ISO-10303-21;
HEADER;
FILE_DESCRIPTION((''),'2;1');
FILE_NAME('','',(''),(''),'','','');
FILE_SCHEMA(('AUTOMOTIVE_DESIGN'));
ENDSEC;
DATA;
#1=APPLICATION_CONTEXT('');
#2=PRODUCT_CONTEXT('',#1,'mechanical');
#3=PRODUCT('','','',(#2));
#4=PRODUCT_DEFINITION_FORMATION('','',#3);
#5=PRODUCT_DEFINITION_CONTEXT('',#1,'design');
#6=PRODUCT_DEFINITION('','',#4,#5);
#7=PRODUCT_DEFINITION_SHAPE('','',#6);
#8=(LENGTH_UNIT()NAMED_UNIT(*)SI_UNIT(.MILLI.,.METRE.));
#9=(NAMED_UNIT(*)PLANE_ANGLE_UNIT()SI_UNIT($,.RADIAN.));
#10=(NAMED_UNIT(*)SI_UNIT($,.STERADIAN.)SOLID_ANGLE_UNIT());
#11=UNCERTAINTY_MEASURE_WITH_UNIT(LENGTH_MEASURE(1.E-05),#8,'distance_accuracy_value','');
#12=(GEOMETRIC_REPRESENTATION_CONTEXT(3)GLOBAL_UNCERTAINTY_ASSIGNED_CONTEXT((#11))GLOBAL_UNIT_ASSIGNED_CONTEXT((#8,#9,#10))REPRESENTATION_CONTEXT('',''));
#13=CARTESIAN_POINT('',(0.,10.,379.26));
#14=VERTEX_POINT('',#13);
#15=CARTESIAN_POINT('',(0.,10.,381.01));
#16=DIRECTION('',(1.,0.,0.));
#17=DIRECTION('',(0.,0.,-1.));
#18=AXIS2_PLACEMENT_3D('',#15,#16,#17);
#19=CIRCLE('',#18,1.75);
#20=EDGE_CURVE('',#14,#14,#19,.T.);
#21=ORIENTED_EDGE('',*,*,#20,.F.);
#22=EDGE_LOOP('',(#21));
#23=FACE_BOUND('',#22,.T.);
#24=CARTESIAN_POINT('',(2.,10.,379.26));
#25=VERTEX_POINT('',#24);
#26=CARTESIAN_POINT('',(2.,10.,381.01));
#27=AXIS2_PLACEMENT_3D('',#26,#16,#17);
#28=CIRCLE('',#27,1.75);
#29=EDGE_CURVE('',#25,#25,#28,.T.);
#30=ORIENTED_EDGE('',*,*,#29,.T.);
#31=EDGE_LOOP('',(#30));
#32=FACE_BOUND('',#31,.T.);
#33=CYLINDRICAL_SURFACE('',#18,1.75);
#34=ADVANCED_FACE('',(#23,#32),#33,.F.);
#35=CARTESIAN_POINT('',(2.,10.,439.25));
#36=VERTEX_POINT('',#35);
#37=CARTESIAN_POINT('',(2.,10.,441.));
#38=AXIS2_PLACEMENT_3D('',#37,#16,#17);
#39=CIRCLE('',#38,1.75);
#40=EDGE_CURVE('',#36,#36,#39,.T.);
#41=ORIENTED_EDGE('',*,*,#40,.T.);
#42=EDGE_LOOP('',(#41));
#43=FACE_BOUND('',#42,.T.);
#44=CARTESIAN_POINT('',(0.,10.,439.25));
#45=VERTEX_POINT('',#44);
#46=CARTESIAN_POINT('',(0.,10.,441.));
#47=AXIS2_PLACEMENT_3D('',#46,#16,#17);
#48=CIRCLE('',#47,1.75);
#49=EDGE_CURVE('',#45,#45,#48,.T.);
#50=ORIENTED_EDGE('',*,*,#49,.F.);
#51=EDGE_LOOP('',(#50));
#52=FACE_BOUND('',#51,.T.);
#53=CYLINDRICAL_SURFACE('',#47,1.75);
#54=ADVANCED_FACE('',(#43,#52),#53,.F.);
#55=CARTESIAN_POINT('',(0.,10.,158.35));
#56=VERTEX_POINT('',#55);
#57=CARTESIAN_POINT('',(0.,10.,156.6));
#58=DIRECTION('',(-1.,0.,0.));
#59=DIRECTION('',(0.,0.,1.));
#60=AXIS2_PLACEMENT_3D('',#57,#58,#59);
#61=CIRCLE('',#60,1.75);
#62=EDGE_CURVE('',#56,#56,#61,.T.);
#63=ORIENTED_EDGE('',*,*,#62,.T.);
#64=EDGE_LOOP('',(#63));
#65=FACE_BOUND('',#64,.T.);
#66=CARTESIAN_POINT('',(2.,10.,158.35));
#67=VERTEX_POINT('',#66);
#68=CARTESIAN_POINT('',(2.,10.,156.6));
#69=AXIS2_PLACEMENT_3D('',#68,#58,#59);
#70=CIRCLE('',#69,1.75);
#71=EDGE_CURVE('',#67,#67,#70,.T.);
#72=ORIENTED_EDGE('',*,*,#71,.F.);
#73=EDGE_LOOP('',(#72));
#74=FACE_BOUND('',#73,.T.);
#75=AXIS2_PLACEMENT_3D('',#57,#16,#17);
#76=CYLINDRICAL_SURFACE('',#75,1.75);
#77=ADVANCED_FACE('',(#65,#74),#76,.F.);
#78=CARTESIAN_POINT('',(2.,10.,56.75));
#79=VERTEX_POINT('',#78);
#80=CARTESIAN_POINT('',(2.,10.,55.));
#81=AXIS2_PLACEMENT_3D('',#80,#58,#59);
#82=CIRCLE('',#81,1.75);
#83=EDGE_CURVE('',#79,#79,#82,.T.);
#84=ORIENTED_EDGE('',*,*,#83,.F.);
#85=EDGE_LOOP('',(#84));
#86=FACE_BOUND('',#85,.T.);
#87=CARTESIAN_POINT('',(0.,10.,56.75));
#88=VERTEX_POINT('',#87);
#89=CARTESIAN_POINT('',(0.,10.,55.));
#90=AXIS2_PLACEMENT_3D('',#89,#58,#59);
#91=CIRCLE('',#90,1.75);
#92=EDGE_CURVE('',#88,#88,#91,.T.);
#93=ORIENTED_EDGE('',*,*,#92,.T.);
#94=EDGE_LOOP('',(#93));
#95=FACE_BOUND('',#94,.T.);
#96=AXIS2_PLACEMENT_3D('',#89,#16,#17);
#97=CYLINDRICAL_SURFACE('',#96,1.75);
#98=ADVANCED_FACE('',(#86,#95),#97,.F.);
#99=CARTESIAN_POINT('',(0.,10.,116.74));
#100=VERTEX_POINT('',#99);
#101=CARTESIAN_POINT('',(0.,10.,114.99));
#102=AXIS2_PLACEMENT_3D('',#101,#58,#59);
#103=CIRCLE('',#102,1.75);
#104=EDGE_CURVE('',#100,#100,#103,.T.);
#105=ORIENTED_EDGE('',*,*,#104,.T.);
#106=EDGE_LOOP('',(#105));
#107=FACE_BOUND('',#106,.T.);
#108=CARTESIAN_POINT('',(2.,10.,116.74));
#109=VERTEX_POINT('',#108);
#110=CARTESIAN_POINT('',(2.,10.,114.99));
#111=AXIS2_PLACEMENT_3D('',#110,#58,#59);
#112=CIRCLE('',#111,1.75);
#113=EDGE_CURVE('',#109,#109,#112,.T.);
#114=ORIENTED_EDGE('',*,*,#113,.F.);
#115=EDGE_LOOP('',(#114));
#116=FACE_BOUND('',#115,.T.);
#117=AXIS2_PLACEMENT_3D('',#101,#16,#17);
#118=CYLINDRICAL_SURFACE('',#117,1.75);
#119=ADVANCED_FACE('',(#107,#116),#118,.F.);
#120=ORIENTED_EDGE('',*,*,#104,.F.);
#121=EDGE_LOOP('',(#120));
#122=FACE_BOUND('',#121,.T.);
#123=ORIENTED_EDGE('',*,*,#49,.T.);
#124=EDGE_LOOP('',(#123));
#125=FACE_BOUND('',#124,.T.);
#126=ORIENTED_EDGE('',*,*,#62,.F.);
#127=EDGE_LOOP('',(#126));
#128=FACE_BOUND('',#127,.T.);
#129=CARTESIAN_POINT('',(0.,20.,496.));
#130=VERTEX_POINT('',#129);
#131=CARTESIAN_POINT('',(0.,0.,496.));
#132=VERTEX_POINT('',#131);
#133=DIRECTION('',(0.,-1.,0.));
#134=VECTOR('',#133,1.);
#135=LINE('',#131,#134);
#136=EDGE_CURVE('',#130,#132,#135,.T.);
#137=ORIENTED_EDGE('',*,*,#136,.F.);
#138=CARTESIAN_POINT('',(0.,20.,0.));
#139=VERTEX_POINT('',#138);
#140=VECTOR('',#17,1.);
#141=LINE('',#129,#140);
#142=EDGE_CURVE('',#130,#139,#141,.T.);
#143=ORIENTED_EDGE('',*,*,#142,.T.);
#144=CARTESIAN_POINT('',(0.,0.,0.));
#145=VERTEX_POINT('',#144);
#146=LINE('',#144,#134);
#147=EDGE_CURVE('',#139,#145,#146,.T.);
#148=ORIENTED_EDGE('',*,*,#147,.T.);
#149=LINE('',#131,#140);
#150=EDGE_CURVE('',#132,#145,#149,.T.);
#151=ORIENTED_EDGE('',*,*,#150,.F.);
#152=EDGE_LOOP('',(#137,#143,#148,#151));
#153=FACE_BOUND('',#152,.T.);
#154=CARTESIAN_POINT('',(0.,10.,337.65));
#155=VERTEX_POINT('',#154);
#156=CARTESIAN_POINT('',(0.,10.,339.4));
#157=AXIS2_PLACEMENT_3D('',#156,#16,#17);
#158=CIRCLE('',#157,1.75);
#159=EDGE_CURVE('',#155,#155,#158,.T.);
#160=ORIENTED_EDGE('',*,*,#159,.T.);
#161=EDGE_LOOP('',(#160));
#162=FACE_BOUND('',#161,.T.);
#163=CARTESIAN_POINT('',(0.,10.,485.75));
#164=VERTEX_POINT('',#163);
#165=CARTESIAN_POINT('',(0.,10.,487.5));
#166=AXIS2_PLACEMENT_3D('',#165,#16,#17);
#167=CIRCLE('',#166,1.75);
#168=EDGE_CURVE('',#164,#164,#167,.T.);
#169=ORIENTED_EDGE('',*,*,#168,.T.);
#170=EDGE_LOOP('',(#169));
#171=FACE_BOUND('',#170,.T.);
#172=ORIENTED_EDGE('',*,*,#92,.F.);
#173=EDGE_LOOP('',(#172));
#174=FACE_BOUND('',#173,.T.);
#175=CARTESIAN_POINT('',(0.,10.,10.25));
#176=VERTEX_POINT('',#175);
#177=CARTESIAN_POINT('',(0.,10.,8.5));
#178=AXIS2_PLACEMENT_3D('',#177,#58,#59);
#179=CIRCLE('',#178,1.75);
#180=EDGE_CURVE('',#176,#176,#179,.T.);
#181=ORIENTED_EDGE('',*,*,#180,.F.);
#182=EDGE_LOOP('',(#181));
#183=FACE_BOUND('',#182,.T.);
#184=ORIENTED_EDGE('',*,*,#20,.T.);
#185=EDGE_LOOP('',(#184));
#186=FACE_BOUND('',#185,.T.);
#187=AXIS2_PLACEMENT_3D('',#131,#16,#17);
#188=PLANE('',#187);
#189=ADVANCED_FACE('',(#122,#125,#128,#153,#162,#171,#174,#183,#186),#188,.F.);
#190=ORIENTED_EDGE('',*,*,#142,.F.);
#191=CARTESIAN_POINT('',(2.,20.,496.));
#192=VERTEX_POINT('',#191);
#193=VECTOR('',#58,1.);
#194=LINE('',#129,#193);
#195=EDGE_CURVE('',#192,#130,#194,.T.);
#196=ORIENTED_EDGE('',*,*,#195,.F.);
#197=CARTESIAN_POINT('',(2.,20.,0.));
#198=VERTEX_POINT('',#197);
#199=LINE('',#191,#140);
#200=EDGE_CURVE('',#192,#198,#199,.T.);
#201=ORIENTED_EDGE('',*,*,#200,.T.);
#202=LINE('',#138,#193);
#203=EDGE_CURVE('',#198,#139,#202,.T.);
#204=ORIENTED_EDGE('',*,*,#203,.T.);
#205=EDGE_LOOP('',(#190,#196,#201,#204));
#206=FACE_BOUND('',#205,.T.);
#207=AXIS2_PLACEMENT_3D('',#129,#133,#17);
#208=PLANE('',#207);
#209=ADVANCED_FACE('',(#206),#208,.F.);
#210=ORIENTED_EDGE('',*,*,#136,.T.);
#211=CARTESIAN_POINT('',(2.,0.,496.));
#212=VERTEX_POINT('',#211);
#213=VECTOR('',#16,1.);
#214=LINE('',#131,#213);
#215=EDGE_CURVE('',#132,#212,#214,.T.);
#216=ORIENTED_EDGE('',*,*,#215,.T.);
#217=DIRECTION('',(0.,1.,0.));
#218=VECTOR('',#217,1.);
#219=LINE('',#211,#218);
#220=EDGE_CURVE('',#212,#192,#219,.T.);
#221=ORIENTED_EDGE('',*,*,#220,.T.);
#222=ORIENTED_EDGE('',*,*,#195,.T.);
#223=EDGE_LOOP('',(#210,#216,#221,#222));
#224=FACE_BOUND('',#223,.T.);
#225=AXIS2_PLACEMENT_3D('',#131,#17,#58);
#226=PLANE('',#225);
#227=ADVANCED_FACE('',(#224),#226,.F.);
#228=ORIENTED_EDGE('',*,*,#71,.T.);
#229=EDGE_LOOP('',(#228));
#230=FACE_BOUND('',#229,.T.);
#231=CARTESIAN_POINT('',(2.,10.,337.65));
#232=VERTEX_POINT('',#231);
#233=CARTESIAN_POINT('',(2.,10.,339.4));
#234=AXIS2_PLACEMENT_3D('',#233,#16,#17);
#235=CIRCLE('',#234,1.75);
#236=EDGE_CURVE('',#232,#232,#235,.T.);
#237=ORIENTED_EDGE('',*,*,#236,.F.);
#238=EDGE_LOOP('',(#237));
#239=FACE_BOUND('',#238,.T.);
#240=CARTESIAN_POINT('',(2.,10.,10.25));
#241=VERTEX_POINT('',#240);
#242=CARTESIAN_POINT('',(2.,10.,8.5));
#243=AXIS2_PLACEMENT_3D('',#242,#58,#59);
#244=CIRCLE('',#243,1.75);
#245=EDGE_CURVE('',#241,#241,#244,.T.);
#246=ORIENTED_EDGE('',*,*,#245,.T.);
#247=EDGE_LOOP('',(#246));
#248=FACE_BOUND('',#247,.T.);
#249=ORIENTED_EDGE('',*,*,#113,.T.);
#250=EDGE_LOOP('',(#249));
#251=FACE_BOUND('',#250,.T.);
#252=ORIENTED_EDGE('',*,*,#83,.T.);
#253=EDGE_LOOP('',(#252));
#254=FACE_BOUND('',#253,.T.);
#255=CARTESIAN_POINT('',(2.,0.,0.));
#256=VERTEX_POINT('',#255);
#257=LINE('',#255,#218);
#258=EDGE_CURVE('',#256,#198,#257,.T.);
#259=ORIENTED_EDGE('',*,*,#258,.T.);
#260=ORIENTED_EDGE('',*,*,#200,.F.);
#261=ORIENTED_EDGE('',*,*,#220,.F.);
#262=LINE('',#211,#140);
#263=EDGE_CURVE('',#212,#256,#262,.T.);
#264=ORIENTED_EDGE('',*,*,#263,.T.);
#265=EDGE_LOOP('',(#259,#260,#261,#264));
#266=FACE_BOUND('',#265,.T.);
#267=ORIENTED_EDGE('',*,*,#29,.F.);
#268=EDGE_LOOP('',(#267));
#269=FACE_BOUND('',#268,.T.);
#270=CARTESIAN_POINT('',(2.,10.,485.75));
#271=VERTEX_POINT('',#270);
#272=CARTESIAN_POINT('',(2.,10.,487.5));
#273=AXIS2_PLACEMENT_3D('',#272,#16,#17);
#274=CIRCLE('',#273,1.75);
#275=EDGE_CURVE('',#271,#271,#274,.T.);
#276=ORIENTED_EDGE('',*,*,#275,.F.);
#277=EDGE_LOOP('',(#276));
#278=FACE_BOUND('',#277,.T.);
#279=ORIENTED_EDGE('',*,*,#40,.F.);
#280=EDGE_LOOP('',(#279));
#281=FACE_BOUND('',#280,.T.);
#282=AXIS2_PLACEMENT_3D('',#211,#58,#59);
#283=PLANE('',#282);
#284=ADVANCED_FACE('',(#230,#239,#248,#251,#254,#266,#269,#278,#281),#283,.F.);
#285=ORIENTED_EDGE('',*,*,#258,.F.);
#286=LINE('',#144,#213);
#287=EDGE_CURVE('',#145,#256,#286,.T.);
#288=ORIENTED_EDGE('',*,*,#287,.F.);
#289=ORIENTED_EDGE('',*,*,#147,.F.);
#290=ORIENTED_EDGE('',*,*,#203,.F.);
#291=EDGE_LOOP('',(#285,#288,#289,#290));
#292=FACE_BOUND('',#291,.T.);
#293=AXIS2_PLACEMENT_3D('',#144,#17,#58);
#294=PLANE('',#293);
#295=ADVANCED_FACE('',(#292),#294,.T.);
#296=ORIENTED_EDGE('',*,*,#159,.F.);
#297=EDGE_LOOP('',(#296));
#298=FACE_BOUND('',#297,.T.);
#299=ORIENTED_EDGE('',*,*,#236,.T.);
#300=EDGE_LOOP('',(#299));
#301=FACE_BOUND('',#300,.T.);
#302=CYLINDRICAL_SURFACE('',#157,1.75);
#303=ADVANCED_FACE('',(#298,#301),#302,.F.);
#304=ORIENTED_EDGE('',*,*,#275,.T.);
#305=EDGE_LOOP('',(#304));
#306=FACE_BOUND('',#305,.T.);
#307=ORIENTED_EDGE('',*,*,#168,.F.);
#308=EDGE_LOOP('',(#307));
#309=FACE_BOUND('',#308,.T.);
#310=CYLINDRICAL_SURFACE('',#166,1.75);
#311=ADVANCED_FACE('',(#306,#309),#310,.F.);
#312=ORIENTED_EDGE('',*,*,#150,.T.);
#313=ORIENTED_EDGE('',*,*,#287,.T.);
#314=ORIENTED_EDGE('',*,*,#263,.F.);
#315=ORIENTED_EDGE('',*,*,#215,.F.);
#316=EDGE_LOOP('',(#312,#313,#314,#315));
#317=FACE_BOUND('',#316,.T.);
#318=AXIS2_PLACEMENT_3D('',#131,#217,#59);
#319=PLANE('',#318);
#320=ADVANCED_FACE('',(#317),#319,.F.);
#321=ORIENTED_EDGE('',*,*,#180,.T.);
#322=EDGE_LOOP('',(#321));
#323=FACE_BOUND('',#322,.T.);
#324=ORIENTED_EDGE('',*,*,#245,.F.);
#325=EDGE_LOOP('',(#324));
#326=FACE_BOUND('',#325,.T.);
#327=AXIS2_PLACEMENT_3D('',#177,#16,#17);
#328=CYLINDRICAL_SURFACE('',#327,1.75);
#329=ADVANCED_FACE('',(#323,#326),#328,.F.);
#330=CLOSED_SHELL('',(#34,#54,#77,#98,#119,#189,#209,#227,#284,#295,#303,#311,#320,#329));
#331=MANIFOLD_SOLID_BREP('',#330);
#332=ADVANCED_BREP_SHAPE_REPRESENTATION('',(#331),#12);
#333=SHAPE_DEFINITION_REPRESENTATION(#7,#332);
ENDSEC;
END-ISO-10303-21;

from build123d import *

# Parameters (mm, degrees)
SKETCH_1_W          = 2
SKETCH_1_H          = 20
EXTRUDE_1_DEPTH     = 496
SKETCH_2_R          = 1.75
CUT_EXTRUDE_1_DEPTH = 497.407091005


with BuildPart() as part:
    # Эскиз1 → Бобышка-Вытянуть1 (new body)
    with BuildSketch(Plane.XY):
        with Locations((1, 10)):
            Rectangle(SKETCH_1_W, SKETCH_1_H)
    extrude(amount=EXTRUDE_1_DEPTH)

    # Эскиз2 → Вырез-Вытянуть1 (cut, through all)
    with BuildSketch(Plane(origin=(2, 0, 0), x_dir=(0, 0, -1), z_dir=(1, 0, 0))):
        with Locations((-487.5, 10)):
            Circle(SKETCH_2_R)
        with Locations((-441, 10)):
            Circle(SKETCH_2_R)
        with Locations((-381.01, 10)):
            Circle(SKETCH_2_R)
        with Locations((-339.4, 10)):
            Circle(SKETCH_2_R)
    cut_extrude_1 = extrude(amount=-CUT_EXTRUDE_1_DEPTH, mode=Mode.SUBTRACT)

    # Зеркальное отражение1: Вырез-Вытянуть1 across plane
    add(cut_extrude_1.mirror(Plane(origin=(0, 0, 248), x_dir=(1, 0, 0), z_dir=(0, 0, -1))), mode=Mode.SUBTRACT)


solid = part.part
